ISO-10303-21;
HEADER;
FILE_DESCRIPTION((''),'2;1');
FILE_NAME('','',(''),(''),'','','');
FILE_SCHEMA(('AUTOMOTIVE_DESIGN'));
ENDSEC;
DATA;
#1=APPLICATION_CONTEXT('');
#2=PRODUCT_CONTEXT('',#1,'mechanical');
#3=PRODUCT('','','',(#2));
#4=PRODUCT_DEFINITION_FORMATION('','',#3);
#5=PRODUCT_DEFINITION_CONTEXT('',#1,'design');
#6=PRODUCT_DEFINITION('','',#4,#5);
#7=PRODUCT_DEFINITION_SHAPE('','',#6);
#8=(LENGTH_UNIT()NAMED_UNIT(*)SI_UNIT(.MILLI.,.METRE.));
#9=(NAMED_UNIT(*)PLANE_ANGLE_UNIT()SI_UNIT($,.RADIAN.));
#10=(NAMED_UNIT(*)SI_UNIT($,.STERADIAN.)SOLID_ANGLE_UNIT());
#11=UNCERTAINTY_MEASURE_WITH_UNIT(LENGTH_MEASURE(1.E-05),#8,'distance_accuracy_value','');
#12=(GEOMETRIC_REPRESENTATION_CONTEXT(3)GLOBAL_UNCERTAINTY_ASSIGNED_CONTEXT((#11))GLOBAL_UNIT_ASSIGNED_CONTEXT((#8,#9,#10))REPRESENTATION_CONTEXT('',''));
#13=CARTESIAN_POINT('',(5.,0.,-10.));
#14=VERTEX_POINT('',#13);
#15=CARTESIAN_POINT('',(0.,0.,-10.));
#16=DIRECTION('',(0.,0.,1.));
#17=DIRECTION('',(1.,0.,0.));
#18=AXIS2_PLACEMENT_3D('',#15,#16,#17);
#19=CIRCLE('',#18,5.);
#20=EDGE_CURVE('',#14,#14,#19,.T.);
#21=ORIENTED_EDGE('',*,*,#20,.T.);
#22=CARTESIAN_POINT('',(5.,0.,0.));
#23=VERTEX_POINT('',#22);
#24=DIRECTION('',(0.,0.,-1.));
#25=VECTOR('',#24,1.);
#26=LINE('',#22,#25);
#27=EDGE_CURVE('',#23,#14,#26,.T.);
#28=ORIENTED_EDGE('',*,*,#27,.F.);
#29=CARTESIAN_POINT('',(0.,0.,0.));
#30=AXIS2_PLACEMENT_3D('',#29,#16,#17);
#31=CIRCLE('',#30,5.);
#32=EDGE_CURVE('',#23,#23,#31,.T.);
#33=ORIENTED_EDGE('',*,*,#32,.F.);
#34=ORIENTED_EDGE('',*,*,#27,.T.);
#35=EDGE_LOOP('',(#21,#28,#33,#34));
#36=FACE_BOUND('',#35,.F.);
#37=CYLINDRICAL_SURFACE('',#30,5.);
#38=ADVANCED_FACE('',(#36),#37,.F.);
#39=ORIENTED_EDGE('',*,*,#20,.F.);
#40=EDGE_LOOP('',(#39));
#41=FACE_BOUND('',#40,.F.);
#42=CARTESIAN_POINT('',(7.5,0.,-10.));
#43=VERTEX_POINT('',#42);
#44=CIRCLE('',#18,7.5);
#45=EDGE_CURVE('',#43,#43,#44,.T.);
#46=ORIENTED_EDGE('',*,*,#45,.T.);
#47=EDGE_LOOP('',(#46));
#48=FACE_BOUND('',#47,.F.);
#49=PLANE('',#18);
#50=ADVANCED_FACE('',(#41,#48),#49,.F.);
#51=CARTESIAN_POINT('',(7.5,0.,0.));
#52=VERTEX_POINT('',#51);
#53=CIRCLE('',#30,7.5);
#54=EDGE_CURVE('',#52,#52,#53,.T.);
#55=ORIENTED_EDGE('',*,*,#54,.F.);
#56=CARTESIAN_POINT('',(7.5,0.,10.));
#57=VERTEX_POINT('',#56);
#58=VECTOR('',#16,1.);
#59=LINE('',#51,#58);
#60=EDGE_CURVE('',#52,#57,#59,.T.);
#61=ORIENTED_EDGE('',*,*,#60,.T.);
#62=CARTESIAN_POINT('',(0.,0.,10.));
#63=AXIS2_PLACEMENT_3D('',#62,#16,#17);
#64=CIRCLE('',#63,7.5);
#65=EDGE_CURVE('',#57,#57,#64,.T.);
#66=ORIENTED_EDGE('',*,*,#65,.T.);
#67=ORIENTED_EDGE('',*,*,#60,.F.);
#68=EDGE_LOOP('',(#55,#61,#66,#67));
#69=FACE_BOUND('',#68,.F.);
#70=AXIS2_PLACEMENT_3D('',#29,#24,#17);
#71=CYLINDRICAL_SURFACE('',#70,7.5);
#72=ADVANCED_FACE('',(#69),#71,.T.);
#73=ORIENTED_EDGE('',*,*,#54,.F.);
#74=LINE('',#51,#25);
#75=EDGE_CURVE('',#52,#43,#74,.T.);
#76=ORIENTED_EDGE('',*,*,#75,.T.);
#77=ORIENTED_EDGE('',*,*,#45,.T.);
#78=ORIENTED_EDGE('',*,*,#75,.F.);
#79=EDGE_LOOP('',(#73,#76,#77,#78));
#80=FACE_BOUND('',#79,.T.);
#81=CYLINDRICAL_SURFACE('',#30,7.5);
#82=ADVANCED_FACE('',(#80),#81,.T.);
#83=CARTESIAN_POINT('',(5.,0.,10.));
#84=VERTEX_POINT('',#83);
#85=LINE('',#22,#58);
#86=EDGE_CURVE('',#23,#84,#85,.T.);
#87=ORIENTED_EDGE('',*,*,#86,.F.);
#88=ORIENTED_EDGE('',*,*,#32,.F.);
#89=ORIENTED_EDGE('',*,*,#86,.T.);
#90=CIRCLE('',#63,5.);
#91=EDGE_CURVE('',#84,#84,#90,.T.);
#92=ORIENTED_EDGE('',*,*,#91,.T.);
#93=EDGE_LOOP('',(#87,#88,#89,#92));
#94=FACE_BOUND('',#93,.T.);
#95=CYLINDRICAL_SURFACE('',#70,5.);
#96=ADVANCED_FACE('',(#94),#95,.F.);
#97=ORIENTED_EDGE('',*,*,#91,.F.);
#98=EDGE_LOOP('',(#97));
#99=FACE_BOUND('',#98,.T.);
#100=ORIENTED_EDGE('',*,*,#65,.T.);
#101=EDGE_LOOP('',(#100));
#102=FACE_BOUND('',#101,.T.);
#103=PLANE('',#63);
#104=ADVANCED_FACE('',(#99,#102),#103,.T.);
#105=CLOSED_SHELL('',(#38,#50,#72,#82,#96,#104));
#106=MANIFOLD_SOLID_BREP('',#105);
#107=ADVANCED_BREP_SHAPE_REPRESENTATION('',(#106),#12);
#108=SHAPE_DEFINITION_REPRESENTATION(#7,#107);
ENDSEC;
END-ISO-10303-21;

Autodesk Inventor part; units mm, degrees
ref_plane "YZ Plane" through (0, 0, 0) normal (1, 0, 0) x (0, 1, 0)
ref_plane "XZ Plane" through (0, 0, 0) normal (0, 1, 0) x (-1, 0, 0)
ref_plane "XY Plane" through (0, 0, 0) normal (0, 0, 1) x (1, 0, 0)
sketch "Sketch1" plane through (0, 0, 0) normal (0, 0, 1) x (1, 0, 0)
  circle A0 centre (0, 0) radius 4.925 projected
  circle A1 centre (0, 0) radius 5
  circle A2 centre (0, 0) radius 7.5
  point P0 (0, 0)
  dimension "d0" = 10
  dimension "d1" = 15
extrude "Extrusion1" add sketch "Sketch1" along normal mid plane 20 contours A2
properties part number "Large connector"
